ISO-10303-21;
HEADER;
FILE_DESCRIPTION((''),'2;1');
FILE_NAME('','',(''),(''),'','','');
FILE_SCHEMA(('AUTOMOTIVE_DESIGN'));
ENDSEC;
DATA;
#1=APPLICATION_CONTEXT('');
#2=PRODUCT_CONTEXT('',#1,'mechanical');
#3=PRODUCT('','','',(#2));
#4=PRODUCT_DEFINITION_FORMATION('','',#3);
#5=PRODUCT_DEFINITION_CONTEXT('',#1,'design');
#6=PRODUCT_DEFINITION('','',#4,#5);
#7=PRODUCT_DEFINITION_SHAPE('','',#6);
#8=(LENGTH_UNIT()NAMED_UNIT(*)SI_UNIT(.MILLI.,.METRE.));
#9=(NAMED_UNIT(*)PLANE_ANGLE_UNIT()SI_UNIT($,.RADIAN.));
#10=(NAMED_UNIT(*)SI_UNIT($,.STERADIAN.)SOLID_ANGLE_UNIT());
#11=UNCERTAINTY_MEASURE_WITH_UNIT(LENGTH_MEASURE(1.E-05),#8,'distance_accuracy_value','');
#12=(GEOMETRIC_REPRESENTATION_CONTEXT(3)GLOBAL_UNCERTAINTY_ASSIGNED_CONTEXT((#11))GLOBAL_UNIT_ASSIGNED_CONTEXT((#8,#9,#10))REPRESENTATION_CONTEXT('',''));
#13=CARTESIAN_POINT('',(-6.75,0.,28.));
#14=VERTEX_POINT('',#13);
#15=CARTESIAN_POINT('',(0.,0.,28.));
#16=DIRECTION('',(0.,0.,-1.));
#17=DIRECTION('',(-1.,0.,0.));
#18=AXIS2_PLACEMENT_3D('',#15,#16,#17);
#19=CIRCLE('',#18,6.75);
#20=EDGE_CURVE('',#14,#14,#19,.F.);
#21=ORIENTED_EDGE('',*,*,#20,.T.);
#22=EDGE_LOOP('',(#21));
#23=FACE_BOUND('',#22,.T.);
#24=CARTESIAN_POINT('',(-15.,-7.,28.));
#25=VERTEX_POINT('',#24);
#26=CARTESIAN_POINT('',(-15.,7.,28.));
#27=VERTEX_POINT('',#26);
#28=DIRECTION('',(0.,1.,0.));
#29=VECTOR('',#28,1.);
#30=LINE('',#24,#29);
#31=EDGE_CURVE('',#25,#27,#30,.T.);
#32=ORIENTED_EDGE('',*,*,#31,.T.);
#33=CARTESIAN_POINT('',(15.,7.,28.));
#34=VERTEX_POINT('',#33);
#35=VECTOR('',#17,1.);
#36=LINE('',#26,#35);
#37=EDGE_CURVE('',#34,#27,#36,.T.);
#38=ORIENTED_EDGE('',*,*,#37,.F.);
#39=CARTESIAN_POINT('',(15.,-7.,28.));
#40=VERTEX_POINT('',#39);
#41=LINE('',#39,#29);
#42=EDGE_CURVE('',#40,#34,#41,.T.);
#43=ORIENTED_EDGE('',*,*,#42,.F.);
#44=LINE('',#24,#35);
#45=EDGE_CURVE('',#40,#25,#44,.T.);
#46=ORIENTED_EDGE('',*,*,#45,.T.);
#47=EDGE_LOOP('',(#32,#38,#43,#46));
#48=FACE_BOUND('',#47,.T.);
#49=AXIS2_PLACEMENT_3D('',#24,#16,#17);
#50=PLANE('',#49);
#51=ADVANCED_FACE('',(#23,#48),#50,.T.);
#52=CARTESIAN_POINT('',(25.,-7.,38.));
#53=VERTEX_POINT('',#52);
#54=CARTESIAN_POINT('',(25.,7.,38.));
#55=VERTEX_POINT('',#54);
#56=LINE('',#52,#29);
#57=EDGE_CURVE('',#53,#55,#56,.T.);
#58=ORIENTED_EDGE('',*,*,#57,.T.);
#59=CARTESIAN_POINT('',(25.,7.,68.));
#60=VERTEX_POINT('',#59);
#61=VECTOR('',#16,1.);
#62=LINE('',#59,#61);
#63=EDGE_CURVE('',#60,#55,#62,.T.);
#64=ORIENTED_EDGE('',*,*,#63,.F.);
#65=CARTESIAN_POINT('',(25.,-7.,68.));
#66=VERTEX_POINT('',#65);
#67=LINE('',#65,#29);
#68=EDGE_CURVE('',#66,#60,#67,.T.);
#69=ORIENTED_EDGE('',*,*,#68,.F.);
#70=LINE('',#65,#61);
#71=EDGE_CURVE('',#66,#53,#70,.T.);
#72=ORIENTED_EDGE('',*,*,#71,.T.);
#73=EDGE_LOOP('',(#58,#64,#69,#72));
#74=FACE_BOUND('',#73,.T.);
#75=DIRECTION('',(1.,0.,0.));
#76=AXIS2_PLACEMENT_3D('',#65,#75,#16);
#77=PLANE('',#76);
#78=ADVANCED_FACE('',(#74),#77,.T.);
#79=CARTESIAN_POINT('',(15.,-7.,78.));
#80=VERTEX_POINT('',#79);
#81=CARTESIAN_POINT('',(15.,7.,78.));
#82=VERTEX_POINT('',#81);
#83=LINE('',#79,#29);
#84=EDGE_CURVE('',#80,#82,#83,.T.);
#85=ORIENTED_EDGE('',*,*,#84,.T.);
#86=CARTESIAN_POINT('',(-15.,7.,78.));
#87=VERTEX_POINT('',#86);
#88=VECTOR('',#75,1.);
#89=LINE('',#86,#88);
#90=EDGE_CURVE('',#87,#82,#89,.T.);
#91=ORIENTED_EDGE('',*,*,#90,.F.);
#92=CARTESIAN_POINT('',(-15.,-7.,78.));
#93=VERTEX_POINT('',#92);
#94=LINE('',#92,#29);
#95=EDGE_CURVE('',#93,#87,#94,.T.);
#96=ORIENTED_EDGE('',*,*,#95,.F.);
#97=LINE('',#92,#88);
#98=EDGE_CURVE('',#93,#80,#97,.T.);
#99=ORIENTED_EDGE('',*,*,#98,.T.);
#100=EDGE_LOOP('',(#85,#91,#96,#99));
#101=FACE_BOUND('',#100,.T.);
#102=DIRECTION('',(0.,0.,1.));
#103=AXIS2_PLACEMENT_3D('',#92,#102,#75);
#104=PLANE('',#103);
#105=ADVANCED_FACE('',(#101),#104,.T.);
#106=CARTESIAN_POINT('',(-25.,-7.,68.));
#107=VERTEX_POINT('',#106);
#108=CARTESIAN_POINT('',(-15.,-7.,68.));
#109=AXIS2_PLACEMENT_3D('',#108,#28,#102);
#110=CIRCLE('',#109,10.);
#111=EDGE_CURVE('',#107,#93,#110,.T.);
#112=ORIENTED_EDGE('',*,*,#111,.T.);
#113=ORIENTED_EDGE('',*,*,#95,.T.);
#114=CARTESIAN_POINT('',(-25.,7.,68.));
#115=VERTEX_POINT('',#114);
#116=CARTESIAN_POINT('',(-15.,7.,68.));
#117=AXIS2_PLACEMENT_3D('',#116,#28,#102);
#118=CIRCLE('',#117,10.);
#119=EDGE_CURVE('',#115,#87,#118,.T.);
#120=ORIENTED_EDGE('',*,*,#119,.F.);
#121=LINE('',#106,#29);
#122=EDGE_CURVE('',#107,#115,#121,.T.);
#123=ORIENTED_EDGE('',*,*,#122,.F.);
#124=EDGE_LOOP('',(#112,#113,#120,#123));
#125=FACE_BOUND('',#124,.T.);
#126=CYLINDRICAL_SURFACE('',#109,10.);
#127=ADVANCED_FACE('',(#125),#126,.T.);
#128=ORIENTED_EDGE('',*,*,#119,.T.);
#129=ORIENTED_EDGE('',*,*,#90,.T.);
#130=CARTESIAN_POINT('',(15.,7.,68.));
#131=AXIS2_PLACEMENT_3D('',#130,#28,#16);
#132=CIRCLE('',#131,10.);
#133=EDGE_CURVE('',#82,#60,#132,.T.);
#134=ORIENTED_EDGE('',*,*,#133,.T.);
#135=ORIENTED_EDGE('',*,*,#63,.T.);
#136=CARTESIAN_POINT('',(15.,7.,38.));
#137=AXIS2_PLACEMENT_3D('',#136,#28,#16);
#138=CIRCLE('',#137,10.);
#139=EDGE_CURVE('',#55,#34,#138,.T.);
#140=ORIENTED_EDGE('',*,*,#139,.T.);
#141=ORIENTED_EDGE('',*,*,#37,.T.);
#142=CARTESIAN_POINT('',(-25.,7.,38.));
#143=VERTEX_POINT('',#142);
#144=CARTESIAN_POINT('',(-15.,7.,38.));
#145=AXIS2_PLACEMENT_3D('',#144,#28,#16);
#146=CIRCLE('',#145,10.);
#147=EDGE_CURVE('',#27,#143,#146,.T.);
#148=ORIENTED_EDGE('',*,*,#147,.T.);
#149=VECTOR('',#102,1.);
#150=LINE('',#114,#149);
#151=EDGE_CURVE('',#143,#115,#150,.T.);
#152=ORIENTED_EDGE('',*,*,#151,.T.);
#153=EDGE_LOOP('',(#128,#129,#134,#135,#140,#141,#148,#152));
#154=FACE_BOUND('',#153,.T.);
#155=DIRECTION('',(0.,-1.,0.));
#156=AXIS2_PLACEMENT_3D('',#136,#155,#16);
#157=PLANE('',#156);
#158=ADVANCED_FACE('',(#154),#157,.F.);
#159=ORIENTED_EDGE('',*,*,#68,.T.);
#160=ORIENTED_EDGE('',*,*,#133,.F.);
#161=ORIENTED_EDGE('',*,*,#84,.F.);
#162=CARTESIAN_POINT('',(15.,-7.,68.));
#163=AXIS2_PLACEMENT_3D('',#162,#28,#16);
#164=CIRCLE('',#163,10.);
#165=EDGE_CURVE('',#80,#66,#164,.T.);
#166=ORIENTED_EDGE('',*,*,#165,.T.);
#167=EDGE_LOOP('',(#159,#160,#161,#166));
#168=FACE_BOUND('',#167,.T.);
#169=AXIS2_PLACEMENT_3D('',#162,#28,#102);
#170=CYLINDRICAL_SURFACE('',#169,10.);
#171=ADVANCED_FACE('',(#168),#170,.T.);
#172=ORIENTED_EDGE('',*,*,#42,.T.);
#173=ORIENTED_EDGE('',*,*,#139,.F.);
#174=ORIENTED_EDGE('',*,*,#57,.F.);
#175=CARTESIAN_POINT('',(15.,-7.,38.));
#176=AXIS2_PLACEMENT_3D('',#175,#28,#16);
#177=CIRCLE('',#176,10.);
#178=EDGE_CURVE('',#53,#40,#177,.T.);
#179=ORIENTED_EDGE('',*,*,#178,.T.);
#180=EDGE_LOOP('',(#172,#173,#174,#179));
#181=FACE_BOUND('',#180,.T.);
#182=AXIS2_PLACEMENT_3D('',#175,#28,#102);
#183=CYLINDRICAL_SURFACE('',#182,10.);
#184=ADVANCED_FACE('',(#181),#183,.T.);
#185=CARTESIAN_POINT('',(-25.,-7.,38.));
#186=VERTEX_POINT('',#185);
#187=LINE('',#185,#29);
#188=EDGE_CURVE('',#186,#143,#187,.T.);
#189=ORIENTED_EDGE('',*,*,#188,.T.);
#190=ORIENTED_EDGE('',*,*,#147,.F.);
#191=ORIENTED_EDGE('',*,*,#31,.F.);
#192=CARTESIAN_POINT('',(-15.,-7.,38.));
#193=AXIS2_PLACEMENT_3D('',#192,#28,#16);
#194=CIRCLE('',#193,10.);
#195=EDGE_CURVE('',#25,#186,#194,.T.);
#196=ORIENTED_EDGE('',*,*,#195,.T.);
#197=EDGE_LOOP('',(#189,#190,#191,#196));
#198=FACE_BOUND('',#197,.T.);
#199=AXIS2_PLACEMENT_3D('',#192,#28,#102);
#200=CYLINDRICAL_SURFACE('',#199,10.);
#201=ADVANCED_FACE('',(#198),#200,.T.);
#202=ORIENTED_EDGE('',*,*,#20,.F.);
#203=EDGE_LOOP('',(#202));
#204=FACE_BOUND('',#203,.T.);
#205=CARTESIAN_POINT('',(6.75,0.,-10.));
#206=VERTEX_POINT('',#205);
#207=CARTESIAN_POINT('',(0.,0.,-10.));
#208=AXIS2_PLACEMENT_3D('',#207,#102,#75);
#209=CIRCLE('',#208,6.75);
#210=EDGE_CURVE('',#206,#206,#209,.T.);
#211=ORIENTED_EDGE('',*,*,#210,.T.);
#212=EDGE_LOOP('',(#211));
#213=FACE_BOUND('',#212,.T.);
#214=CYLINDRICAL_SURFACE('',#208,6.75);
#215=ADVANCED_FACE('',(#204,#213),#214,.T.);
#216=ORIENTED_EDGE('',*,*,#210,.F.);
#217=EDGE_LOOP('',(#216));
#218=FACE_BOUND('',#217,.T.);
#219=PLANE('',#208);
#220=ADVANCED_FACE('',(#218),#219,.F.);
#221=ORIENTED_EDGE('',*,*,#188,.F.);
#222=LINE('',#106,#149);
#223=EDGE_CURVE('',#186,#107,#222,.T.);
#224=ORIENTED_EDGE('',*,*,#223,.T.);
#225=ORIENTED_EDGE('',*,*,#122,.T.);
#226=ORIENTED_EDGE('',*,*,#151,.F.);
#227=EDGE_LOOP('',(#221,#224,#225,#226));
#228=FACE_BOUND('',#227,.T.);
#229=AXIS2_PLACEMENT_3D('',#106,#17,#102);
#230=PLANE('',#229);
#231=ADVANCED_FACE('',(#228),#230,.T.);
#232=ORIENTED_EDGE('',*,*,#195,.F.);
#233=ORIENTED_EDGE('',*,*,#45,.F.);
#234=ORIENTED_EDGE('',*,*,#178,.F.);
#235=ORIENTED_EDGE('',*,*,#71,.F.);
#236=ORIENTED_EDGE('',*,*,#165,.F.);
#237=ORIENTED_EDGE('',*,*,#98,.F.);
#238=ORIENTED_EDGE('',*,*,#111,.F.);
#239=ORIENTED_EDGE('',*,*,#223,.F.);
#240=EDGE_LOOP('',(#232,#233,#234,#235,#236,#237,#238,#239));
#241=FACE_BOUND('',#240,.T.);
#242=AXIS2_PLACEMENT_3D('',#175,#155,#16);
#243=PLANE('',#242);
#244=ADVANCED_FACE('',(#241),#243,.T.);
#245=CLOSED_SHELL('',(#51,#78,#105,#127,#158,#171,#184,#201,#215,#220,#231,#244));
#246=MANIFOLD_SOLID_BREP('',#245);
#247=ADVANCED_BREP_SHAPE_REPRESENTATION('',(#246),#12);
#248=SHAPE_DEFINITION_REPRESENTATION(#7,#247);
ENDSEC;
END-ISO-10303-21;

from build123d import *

# Parameters (mm, degrees)
BOSS_EXTRUDE1_DEPTH      = 73
BOSS_EXTRUDE1_DEPTH_BACK = 10
SKETCH1_R                = 6.75
BOSS_EXTRUDE2_DEPTH      = 7
BOSS_EXTRUDE2_DEPTH_BACK = 7


with BuildPart() as part:
    # Sketch1 → Boss-Extrude1 (new, two sides: drawn at the far end of the back side and taken through both)
    with BuildSketch(Plane.XY.offset(-BOSS_EXTRUDE1_DEPTH_BACK)):
        Circle(SKETCH1_R)
    extrude(amount=BOSS_EXTRUDE1_DEPTH + BOSS_EXTRUDE1_DEPTH_BACK)

    # Sketch2 → Boss-Extrude2 (add, two sides: drawn at the far end of the back side and taken through both)
    with BuildSketch(Plane(origin=(0, 0, 0), x_dir=(1, 0, 0), z_dir=(0, 1, 0)).offset(-BOSS_EXTRUDE2_DEPTH_BACK)):
        with BuildLine():
            Line((-15, -78), (15, -78))
            ThreePointArc((15, -78), (22.071067812, -75.071067812), (25, -68))
            Line((25, -68), (25, -38))
            ThreePointArc((25, -38), (22.071067812, -30.928932188), (15, -28))
            Line((15, -28), (-15, -28))
            ThreePointArc((-15, -28), (-22.071067812, -30.928932188), (-25, -38))
            Line((-25, -38), (-25, -68))
            ThreePointArc((-25, -68), (-22.071067812, -75.071067812), (-15, -78))
        make_face()
    extrude(amount=BOSS_EXTRUDE2_DEPTH + BOSS_EXTRUDE2_DEPTH_BACK)


solid = part.part
